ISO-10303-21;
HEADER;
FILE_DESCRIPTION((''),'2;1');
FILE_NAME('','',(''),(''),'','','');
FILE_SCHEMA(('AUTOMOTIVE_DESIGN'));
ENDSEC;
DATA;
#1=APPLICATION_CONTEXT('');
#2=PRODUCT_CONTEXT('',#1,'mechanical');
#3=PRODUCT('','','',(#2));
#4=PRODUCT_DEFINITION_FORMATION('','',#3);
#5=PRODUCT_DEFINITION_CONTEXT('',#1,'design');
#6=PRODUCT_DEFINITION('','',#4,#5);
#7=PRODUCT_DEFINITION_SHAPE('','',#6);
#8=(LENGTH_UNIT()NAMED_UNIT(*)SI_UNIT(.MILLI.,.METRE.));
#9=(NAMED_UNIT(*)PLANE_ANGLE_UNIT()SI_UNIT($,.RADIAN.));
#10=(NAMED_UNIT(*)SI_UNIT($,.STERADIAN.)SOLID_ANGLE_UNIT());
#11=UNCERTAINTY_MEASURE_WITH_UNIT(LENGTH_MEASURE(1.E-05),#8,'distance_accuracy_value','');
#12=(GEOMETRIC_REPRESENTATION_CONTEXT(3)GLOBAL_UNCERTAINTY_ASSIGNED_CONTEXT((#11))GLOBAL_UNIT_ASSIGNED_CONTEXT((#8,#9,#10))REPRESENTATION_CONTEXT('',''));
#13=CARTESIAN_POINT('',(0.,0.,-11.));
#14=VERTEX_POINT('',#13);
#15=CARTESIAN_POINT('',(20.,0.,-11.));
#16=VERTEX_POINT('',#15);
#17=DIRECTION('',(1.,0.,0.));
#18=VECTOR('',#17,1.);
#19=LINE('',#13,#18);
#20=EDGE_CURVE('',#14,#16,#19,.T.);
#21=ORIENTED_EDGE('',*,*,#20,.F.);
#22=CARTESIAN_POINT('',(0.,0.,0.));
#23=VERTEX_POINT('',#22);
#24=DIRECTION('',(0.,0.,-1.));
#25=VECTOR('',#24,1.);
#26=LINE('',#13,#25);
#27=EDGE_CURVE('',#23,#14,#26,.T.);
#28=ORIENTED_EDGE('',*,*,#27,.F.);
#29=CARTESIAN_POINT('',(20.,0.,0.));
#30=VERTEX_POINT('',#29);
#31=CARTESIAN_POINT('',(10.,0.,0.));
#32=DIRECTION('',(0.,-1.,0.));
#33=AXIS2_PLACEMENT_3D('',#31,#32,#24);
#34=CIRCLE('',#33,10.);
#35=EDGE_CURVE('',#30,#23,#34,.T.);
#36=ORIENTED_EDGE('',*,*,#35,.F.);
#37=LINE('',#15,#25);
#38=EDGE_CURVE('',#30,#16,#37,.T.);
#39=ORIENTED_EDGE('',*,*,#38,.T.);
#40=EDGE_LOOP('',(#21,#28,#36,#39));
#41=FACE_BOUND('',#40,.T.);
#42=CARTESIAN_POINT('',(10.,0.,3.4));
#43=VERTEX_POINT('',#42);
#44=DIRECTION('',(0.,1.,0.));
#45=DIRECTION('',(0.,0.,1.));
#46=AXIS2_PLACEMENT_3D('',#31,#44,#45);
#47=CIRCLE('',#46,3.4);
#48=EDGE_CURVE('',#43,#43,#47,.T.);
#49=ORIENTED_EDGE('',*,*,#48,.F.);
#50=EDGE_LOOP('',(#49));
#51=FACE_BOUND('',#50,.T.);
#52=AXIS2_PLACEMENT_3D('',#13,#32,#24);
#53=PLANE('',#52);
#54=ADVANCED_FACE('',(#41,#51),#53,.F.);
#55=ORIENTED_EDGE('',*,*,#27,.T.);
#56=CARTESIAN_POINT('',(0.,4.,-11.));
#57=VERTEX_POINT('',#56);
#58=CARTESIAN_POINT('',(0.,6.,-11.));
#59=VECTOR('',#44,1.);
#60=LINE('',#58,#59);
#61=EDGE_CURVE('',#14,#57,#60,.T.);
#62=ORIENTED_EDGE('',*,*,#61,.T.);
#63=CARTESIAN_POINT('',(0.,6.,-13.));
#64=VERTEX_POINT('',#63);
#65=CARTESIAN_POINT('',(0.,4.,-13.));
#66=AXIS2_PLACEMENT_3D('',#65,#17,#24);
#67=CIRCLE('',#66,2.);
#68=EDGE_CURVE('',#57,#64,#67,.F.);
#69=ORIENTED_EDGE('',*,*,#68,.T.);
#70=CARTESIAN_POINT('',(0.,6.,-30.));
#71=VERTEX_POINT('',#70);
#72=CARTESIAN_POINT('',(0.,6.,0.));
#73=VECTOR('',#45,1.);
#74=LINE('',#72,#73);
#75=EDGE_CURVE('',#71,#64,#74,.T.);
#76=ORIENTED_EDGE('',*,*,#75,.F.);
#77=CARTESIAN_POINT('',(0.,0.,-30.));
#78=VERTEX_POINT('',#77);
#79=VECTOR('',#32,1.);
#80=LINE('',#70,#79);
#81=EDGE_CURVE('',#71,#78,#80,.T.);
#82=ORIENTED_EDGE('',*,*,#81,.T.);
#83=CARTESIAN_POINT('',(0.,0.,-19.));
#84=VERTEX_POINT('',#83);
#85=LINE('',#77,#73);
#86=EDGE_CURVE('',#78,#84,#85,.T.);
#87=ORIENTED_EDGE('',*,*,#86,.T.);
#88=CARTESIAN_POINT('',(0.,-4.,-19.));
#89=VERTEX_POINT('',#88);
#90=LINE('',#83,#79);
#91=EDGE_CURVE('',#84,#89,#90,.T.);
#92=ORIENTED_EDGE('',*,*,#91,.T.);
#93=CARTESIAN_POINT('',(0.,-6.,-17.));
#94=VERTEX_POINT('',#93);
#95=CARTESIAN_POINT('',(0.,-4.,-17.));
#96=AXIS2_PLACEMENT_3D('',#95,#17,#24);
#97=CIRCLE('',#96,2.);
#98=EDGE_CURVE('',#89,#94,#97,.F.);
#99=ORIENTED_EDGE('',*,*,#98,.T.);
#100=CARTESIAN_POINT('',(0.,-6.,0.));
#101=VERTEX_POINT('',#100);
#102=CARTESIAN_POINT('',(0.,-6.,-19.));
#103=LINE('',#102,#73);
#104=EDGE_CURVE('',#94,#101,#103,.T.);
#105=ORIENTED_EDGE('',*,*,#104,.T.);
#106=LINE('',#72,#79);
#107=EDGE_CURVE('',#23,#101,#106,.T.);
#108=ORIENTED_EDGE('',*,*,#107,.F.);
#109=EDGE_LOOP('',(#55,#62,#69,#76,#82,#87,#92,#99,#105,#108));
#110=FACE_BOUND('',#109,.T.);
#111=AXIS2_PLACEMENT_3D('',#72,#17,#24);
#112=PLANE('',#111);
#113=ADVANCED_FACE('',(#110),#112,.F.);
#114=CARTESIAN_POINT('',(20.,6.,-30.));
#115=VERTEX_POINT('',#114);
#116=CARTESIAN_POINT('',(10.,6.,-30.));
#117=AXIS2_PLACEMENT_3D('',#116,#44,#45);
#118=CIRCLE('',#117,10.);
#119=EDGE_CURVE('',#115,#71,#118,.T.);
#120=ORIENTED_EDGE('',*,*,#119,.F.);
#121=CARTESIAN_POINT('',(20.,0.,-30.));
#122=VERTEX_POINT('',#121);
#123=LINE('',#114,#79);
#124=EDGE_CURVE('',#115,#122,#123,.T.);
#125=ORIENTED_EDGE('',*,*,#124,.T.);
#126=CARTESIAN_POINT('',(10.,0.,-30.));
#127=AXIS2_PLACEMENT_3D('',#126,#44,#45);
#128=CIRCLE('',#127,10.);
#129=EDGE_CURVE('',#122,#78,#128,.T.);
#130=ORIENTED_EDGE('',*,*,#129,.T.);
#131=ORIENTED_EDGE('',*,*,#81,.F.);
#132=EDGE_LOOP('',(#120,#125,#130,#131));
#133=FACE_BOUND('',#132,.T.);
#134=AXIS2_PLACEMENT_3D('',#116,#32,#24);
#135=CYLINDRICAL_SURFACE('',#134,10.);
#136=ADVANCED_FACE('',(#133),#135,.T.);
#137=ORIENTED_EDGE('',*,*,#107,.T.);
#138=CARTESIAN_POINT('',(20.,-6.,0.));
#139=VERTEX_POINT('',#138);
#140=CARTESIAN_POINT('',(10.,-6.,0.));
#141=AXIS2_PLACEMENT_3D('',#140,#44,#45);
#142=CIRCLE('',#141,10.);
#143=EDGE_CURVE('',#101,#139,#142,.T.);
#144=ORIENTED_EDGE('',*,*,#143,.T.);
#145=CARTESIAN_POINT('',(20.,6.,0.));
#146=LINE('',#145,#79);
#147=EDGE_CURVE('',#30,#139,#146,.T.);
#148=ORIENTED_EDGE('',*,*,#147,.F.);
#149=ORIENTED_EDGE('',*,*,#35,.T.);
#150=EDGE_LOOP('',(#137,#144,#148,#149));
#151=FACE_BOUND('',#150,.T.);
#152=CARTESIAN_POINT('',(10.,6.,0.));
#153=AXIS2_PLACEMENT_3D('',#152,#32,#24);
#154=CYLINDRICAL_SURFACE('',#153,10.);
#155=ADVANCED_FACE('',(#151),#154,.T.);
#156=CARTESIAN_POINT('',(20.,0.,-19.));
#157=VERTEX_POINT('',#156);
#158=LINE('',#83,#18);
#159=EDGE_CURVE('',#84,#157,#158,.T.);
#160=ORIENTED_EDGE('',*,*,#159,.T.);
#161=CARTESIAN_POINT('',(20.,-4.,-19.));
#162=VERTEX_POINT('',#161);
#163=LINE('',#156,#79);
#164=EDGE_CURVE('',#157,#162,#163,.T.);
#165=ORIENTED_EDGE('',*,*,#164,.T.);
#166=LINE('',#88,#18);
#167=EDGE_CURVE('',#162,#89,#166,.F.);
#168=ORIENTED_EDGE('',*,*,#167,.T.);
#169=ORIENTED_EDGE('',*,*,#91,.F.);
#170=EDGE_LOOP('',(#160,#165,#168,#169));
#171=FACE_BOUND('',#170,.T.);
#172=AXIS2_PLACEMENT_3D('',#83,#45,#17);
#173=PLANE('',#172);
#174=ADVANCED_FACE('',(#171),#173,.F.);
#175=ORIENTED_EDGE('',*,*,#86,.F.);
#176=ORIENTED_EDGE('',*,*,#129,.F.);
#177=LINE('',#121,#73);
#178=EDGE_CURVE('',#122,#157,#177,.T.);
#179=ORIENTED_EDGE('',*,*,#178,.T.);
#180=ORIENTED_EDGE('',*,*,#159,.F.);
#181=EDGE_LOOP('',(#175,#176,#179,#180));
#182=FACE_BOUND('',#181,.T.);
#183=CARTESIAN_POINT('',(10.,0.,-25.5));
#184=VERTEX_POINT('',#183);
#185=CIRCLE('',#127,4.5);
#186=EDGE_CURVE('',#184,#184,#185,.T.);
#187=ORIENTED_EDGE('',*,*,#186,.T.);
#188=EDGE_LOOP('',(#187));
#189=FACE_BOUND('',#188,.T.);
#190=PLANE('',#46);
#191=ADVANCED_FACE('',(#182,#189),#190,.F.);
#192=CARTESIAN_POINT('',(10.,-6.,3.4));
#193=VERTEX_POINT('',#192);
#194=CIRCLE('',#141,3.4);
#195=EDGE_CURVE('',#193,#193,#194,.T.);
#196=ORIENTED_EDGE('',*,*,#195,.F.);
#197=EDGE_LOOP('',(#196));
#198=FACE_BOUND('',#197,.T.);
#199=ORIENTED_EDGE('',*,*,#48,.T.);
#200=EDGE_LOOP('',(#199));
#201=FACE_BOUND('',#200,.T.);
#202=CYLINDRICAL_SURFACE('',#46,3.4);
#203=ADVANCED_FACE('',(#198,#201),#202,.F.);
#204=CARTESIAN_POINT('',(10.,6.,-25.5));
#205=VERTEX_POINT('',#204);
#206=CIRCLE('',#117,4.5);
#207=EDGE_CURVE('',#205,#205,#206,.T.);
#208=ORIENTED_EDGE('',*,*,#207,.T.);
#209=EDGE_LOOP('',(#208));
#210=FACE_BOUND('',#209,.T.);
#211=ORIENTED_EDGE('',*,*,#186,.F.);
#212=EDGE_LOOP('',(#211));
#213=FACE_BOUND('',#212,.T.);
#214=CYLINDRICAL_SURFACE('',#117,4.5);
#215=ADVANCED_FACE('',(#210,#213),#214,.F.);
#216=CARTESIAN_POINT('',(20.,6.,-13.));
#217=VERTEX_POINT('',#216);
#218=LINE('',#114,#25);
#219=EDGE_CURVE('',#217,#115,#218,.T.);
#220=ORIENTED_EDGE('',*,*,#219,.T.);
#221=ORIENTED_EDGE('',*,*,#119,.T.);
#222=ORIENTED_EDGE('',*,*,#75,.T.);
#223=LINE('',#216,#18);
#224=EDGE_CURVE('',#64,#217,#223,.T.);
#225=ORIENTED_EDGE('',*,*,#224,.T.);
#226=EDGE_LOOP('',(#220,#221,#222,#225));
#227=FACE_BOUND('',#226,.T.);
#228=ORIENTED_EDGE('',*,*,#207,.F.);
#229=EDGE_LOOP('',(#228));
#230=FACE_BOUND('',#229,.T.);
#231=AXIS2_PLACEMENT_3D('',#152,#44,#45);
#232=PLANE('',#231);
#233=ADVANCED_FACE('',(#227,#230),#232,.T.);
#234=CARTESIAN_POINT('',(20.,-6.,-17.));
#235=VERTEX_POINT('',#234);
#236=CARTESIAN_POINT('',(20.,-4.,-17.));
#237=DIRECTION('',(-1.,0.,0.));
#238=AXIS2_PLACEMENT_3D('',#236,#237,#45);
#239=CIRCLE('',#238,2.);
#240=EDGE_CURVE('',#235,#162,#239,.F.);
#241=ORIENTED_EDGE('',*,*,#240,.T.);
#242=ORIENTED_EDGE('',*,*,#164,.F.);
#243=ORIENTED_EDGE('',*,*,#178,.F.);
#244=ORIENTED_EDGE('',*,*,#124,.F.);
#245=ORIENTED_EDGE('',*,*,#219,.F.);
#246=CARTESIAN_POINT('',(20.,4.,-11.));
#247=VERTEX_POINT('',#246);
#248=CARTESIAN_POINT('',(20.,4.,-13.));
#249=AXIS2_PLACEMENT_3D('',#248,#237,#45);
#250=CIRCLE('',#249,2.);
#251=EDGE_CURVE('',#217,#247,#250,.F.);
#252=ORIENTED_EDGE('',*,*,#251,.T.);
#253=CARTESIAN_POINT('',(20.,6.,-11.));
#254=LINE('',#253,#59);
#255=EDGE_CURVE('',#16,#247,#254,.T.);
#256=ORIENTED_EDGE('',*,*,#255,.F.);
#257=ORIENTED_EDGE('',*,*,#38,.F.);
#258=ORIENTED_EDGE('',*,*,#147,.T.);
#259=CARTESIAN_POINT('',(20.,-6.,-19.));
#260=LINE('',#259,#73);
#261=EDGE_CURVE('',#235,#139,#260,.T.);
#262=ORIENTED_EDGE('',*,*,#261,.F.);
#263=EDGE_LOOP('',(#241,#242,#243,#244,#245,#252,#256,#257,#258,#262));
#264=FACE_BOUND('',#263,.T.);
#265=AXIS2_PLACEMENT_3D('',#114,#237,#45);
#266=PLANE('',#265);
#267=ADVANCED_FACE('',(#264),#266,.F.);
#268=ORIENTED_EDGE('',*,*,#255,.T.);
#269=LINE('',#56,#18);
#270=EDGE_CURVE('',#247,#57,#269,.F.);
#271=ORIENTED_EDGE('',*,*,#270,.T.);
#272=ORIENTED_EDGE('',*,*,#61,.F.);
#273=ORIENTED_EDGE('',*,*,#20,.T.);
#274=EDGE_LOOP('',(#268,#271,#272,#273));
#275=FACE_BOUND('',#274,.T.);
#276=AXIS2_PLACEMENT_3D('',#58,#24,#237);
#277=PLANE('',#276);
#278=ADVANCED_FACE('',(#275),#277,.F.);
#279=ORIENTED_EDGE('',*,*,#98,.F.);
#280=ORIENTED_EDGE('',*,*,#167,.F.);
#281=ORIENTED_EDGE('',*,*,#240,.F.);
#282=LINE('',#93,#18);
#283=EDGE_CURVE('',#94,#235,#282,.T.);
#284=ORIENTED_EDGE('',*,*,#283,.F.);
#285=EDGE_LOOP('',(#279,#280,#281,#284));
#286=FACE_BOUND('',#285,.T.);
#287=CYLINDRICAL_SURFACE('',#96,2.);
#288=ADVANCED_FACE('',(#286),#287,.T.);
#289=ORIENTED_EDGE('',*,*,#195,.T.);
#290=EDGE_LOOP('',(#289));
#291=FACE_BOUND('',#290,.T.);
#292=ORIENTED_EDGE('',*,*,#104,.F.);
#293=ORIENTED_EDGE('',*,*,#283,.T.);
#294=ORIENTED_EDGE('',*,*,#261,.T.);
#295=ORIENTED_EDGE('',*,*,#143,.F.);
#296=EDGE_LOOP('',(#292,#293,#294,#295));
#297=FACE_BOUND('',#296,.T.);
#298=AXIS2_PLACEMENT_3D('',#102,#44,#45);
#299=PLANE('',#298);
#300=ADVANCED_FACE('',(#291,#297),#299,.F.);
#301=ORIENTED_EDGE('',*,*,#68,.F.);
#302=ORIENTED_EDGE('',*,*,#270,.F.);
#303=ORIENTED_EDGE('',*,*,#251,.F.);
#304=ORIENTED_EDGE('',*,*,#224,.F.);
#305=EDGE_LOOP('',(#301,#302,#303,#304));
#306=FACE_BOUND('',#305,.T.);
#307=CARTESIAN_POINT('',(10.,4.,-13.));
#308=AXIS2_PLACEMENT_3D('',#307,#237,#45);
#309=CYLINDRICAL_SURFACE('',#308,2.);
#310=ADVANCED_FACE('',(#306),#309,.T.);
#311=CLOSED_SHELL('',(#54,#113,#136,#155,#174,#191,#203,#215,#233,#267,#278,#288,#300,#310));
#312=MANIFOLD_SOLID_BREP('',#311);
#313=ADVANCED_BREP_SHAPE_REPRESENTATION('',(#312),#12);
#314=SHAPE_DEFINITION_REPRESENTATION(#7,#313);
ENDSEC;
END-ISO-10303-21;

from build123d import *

# Parameters (mm, degrees)
BOSS_EXTRU_1_DEPTH      = 6
BOSS_EXTRU_2_DEPTH      = 12
ESQUISSE14_W            = 21
ESQUISSE14_H            = 6
ENL_V_MAT_EXTRU_2_DEPTH = 21
D_GAGEMENT_M81_D        = 9
TROU_TARAUD_M82_D       = 6.8
CONG_1_R                = 2


with BuildPart() as part:
    # Esquisse1 → Boss.-Extru.1 (new body)
    with BuildSketch(Plane(origin=(0, 0, 0), x_dir=(1, 0, 0), z_dir=(0, 1, 0))):
        with BuildLine():
            Line((0, 0), (0, 30))
            ThreePointArc((0, 30), (10, 40), (20, 30))
            Line((20, 30), (20, 0))
            ThreePointArc((20, 0), (10, -10), (0, 0))
        make_face()
    extrude(amount=BOSS_EXTRU_1_DEPTH)

    # Esquisse12 → Boss.-Extru.2 (add)
    with BuildSketch(Plane.XZ):
        with BuildLine():
            Line((0, -30), (20, -30))
            Line((20, -30), (20, 0))
            ThreePointArc((20, 0), (10, 10), (0, 0))
            Line((0, 0), (0, -30))
        make_face()
    extrude(amount=BOSS_EXTRU_2_DEPTH)

    # Esquisse14 → Enlèv. mat.-Extru.2 (cut, through all)
    with BuildSketch(Plane(origin=(20, 0, 0), x_dir=(0, 0, -1), z_dir=(1, 0, 0))):
        with Locations((0.5, 3)):
            Rectangle(ESQUISSE14_W, ESQUISSE14_H)
        Polygon((30, 0), (19, 0), (19, -6), (-10, -6), (-10, -12), (30, -12), align=None)
    extrude(amount=-ENL_V_MAT_EXTRU_2_DEPTH, mode=Mode.SUBTRACT)

    # Dégagement M81 (through all)
    with Locations(Plane(origin=(0, 6, 0), x_dir=(1, 0, 0), z_dir=(0, 1, 0))):
        with Locations((10, 30)):
            Hole(D_GAGEMENT_M81_D / 2)

    # Trou taraudé M82 (through all)
    with Locations(Plane(origin=(0, 0, 0), x_dir=(1, 0, 0), z_dir=(0, 1, 0))):
        with Locations((10, 0)):
            Hole(TROU_TARAUD_M82_D / 2)

    # Congé1
    cong_1_edges = [part.edges().sort_by_distance(p)[0] for p in [
        (10, -6, -19),
        (10, 6, -11),
    ]]
    fillet(cong_1_edges, radius=CONG_1_R)


solid = part.part
